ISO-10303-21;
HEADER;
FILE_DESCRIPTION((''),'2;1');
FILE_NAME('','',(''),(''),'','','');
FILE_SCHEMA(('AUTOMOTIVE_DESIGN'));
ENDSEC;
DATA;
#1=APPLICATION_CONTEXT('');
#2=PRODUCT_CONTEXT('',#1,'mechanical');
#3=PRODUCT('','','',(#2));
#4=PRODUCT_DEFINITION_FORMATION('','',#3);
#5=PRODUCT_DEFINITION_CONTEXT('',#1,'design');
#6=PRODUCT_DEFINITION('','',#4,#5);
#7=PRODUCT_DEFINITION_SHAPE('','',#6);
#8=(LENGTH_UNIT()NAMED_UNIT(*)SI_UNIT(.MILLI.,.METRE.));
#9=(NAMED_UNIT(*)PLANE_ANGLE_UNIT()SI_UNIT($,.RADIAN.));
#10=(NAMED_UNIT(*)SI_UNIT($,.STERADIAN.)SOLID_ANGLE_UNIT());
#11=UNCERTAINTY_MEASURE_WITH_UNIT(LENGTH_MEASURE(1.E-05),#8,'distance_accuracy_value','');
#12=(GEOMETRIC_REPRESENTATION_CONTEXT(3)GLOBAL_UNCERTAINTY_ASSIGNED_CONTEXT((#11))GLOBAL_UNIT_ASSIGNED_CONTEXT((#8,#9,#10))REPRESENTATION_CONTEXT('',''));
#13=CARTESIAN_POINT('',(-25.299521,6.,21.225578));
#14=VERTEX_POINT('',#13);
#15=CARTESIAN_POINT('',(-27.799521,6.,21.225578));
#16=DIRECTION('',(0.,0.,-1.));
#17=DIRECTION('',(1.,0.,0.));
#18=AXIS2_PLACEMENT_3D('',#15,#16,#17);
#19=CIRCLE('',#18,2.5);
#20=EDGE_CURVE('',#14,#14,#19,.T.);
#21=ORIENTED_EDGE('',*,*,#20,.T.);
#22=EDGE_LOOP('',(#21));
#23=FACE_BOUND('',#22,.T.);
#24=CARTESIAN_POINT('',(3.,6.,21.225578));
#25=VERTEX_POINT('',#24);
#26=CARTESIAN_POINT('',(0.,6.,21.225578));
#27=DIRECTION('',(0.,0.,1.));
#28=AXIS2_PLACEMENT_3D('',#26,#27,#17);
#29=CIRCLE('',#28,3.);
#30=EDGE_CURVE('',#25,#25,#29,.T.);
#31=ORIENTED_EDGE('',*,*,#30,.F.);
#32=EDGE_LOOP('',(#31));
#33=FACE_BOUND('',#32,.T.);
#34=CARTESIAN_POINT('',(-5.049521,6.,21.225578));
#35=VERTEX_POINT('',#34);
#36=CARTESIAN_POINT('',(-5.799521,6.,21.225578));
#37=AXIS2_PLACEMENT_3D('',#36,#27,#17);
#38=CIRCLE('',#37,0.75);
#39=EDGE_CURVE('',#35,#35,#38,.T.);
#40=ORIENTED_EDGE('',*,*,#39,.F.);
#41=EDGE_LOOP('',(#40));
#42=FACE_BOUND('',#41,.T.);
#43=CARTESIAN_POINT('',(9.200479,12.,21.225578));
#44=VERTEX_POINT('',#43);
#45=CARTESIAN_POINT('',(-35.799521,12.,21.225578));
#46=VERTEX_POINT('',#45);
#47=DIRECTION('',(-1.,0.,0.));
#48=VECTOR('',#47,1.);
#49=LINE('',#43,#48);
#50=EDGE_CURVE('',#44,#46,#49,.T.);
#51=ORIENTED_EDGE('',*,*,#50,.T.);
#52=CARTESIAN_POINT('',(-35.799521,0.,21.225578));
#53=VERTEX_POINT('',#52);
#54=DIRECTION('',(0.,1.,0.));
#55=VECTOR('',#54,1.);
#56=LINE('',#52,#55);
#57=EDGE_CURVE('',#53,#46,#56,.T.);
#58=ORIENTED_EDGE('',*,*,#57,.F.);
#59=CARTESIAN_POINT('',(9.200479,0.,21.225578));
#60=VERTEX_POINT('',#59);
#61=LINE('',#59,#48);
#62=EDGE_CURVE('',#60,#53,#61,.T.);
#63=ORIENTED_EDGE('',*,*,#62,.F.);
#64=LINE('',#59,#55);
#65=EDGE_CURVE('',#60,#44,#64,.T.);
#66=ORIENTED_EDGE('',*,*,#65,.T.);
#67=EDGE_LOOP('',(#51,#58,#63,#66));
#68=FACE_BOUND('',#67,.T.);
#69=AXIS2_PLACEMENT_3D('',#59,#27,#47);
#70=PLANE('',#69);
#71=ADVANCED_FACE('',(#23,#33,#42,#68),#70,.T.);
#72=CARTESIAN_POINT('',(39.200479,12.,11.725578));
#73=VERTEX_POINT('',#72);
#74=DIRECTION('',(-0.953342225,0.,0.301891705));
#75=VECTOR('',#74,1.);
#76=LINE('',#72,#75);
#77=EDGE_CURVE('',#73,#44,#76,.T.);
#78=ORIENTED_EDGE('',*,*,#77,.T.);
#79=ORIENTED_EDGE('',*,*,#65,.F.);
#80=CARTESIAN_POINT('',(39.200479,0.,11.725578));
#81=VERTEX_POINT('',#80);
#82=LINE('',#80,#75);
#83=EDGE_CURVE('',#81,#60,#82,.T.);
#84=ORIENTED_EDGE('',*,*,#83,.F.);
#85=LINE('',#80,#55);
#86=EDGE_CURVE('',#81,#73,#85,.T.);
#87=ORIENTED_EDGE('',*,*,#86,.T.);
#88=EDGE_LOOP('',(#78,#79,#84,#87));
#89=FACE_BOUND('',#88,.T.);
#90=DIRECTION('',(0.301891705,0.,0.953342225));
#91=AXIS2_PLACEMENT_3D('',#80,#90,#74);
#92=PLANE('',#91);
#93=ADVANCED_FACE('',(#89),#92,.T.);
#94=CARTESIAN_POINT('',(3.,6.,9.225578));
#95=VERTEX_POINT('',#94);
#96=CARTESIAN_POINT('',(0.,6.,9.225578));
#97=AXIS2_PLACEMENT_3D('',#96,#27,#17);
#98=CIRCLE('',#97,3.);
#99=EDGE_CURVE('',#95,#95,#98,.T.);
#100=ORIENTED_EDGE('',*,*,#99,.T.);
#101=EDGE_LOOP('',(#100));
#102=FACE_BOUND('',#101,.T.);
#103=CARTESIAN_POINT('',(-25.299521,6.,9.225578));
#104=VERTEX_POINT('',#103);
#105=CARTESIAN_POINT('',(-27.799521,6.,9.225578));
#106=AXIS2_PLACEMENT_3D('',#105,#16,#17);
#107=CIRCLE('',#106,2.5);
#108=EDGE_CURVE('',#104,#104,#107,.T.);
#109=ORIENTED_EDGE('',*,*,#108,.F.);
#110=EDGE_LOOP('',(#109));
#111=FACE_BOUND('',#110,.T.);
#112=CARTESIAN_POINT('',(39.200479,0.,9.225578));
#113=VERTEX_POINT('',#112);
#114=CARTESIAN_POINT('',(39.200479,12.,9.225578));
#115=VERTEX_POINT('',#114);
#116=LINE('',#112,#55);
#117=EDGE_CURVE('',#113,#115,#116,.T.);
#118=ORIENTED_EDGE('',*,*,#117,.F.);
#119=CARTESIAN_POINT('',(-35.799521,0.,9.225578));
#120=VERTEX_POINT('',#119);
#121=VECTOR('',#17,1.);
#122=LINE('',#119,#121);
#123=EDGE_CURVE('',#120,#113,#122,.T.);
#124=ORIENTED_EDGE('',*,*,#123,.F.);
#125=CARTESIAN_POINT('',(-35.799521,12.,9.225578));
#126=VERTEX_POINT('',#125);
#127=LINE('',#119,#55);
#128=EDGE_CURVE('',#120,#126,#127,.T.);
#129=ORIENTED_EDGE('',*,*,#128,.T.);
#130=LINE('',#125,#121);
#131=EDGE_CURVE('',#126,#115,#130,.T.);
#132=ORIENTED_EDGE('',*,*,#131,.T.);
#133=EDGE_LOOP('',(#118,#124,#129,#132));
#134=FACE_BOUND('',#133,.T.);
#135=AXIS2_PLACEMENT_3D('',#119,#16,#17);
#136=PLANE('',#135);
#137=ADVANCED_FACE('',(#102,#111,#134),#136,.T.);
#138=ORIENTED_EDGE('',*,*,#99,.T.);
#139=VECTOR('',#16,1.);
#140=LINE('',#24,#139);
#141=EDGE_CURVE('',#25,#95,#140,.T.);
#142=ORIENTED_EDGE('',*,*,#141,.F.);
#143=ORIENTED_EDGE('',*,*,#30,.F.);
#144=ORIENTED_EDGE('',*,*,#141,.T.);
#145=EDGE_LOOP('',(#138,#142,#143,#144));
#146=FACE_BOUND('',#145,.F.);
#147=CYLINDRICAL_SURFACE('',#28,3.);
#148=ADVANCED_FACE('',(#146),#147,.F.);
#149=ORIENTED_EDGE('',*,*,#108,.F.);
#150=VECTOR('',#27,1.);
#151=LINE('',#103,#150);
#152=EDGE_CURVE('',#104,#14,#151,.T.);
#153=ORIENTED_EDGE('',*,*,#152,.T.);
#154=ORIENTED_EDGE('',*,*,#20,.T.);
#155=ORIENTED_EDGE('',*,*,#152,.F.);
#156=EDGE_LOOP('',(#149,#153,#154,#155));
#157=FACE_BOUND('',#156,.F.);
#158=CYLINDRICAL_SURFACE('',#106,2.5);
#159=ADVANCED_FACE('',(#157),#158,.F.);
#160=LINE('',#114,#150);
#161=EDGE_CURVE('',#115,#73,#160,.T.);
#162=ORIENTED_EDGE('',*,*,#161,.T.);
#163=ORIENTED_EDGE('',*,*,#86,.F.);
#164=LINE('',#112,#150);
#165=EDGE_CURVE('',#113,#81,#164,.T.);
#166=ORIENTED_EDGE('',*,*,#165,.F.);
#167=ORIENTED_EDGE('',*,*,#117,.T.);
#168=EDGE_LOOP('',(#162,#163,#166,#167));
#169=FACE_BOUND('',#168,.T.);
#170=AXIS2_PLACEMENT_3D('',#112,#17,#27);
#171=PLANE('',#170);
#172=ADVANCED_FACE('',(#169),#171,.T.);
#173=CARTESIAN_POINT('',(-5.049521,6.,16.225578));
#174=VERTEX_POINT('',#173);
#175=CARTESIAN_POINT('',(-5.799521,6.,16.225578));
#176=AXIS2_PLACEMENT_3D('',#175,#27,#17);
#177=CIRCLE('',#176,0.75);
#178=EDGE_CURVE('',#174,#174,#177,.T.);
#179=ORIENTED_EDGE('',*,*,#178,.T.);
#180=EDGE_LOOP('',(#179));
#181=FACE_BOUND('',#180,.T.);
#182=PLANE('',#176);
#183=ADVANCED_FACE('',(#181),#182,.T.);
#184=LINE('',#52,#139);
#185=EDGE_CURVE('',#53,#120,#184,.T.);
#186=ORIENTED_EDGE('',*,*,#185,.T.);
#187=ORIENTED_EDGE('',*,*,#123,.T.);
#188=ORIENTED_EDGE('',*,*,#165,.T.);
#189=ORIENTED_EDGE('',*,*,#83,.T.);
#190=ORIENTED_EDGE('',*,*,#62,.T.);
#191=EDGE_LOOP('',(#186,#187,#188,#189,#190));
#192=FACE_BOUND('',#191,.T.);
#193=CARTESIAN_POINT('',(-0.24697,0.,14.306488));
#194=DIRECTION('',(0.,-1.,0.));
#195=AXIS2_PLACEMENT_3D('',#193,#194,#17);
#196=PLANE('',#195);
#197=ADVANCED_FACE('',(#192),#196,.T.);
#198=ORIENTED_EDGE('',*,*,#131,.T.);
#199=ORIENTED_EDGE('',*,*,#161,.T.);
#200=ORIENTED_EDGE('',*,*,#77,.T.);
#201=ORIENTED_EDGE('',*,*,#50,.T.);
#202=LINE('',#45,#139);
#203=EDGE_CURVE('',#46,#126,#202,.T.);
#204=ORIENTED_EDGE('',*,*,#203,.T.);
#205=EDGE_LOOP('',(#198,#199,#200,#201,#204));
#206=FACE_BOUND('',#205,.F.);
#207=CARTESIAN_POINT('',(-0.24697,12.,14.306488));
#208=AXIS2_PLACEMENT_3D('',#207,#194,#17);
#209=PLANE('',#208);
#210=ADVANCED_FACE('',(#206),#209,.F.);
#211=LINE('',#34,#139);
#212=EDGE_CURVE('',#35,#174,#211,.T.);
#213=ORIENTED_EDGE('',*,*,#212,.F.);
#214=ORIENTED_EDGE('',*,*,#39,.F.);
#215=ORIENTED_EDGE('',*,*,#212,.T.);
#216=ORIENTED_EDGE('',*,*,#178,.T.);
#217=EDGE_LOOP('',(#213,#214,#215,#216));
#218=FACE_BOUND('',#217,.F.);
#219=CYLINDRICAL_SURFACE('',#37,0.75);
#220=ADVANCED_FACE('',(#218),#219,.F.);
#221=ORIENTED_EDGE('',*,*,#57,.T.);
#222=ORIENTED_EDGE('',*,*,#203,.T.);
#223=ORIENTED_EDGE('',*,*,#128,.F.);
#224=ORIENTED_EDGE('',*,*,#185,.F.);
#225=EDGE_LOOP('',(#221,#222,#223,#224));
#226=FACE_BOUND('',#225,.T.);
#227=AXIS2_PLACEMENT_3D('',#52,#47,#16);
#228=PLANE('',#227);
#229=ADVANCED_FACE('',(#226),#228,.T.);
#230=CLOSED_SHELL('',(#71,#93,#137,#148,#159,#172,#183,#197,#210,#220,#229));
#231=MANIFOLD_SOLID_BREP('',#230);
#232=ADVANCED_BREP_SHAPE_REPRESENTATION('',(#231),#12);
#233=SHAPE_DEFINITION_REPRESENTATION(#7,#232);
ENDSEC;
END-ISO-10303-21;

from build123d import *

# Parameters (mm, degrees)
F1_DEPTH = 12
F2_R     = 3
F3_DEPTH = 12.001
F4_R     = 0.75
F5_DEPTH = 5
F6_R     = 2.5
F7_DEPTH = 12.001


with BuildPart() as f1:
    # F0 (on Front) → F1 (new body)
    with BuildSketch(Plane.XZ):
        Polygon((9.200479, 21.225578), (-35.799521, 21.225578), (-35.799521, 9.225578), (39.200479, 9.225578), (39.200479, 11.725578), align=None)
    extrude(amount=-F1_DEPTH)

    # F2 (on face) → F3 (cut, through all)
    with BuildSketch(Plane.XY.offset(21.225578)):
        with Locations((0, 6)):
            Circle(F2_R)
    extrude(amount=-F3_DEPTH, mode=Mode.SUBTRACT)

    # F4 (on face) → F5 (cut)
    with BuildSketch(Plane.XY.offset(21.225578)):
        with Locations((-5.799521, 6)):
            Circle(F4_R)
    extrude(amount=-F5_DEPTH, mode=Mode.SUBTRACT)

    # F6 (on face) → F7 (cut, through all)
    with BuildSketch(Plane(origin=(0, 0, 9.225578), x_dir=(1, 0, 0), z_dir=(0, 0, -1))):
        with Locations((-27.799521, -6)):
            Circle(F6_R)
    extrude(amount=-F7_DEPTH, mode=Mode.SUBTRACT)


solid = f1.part
